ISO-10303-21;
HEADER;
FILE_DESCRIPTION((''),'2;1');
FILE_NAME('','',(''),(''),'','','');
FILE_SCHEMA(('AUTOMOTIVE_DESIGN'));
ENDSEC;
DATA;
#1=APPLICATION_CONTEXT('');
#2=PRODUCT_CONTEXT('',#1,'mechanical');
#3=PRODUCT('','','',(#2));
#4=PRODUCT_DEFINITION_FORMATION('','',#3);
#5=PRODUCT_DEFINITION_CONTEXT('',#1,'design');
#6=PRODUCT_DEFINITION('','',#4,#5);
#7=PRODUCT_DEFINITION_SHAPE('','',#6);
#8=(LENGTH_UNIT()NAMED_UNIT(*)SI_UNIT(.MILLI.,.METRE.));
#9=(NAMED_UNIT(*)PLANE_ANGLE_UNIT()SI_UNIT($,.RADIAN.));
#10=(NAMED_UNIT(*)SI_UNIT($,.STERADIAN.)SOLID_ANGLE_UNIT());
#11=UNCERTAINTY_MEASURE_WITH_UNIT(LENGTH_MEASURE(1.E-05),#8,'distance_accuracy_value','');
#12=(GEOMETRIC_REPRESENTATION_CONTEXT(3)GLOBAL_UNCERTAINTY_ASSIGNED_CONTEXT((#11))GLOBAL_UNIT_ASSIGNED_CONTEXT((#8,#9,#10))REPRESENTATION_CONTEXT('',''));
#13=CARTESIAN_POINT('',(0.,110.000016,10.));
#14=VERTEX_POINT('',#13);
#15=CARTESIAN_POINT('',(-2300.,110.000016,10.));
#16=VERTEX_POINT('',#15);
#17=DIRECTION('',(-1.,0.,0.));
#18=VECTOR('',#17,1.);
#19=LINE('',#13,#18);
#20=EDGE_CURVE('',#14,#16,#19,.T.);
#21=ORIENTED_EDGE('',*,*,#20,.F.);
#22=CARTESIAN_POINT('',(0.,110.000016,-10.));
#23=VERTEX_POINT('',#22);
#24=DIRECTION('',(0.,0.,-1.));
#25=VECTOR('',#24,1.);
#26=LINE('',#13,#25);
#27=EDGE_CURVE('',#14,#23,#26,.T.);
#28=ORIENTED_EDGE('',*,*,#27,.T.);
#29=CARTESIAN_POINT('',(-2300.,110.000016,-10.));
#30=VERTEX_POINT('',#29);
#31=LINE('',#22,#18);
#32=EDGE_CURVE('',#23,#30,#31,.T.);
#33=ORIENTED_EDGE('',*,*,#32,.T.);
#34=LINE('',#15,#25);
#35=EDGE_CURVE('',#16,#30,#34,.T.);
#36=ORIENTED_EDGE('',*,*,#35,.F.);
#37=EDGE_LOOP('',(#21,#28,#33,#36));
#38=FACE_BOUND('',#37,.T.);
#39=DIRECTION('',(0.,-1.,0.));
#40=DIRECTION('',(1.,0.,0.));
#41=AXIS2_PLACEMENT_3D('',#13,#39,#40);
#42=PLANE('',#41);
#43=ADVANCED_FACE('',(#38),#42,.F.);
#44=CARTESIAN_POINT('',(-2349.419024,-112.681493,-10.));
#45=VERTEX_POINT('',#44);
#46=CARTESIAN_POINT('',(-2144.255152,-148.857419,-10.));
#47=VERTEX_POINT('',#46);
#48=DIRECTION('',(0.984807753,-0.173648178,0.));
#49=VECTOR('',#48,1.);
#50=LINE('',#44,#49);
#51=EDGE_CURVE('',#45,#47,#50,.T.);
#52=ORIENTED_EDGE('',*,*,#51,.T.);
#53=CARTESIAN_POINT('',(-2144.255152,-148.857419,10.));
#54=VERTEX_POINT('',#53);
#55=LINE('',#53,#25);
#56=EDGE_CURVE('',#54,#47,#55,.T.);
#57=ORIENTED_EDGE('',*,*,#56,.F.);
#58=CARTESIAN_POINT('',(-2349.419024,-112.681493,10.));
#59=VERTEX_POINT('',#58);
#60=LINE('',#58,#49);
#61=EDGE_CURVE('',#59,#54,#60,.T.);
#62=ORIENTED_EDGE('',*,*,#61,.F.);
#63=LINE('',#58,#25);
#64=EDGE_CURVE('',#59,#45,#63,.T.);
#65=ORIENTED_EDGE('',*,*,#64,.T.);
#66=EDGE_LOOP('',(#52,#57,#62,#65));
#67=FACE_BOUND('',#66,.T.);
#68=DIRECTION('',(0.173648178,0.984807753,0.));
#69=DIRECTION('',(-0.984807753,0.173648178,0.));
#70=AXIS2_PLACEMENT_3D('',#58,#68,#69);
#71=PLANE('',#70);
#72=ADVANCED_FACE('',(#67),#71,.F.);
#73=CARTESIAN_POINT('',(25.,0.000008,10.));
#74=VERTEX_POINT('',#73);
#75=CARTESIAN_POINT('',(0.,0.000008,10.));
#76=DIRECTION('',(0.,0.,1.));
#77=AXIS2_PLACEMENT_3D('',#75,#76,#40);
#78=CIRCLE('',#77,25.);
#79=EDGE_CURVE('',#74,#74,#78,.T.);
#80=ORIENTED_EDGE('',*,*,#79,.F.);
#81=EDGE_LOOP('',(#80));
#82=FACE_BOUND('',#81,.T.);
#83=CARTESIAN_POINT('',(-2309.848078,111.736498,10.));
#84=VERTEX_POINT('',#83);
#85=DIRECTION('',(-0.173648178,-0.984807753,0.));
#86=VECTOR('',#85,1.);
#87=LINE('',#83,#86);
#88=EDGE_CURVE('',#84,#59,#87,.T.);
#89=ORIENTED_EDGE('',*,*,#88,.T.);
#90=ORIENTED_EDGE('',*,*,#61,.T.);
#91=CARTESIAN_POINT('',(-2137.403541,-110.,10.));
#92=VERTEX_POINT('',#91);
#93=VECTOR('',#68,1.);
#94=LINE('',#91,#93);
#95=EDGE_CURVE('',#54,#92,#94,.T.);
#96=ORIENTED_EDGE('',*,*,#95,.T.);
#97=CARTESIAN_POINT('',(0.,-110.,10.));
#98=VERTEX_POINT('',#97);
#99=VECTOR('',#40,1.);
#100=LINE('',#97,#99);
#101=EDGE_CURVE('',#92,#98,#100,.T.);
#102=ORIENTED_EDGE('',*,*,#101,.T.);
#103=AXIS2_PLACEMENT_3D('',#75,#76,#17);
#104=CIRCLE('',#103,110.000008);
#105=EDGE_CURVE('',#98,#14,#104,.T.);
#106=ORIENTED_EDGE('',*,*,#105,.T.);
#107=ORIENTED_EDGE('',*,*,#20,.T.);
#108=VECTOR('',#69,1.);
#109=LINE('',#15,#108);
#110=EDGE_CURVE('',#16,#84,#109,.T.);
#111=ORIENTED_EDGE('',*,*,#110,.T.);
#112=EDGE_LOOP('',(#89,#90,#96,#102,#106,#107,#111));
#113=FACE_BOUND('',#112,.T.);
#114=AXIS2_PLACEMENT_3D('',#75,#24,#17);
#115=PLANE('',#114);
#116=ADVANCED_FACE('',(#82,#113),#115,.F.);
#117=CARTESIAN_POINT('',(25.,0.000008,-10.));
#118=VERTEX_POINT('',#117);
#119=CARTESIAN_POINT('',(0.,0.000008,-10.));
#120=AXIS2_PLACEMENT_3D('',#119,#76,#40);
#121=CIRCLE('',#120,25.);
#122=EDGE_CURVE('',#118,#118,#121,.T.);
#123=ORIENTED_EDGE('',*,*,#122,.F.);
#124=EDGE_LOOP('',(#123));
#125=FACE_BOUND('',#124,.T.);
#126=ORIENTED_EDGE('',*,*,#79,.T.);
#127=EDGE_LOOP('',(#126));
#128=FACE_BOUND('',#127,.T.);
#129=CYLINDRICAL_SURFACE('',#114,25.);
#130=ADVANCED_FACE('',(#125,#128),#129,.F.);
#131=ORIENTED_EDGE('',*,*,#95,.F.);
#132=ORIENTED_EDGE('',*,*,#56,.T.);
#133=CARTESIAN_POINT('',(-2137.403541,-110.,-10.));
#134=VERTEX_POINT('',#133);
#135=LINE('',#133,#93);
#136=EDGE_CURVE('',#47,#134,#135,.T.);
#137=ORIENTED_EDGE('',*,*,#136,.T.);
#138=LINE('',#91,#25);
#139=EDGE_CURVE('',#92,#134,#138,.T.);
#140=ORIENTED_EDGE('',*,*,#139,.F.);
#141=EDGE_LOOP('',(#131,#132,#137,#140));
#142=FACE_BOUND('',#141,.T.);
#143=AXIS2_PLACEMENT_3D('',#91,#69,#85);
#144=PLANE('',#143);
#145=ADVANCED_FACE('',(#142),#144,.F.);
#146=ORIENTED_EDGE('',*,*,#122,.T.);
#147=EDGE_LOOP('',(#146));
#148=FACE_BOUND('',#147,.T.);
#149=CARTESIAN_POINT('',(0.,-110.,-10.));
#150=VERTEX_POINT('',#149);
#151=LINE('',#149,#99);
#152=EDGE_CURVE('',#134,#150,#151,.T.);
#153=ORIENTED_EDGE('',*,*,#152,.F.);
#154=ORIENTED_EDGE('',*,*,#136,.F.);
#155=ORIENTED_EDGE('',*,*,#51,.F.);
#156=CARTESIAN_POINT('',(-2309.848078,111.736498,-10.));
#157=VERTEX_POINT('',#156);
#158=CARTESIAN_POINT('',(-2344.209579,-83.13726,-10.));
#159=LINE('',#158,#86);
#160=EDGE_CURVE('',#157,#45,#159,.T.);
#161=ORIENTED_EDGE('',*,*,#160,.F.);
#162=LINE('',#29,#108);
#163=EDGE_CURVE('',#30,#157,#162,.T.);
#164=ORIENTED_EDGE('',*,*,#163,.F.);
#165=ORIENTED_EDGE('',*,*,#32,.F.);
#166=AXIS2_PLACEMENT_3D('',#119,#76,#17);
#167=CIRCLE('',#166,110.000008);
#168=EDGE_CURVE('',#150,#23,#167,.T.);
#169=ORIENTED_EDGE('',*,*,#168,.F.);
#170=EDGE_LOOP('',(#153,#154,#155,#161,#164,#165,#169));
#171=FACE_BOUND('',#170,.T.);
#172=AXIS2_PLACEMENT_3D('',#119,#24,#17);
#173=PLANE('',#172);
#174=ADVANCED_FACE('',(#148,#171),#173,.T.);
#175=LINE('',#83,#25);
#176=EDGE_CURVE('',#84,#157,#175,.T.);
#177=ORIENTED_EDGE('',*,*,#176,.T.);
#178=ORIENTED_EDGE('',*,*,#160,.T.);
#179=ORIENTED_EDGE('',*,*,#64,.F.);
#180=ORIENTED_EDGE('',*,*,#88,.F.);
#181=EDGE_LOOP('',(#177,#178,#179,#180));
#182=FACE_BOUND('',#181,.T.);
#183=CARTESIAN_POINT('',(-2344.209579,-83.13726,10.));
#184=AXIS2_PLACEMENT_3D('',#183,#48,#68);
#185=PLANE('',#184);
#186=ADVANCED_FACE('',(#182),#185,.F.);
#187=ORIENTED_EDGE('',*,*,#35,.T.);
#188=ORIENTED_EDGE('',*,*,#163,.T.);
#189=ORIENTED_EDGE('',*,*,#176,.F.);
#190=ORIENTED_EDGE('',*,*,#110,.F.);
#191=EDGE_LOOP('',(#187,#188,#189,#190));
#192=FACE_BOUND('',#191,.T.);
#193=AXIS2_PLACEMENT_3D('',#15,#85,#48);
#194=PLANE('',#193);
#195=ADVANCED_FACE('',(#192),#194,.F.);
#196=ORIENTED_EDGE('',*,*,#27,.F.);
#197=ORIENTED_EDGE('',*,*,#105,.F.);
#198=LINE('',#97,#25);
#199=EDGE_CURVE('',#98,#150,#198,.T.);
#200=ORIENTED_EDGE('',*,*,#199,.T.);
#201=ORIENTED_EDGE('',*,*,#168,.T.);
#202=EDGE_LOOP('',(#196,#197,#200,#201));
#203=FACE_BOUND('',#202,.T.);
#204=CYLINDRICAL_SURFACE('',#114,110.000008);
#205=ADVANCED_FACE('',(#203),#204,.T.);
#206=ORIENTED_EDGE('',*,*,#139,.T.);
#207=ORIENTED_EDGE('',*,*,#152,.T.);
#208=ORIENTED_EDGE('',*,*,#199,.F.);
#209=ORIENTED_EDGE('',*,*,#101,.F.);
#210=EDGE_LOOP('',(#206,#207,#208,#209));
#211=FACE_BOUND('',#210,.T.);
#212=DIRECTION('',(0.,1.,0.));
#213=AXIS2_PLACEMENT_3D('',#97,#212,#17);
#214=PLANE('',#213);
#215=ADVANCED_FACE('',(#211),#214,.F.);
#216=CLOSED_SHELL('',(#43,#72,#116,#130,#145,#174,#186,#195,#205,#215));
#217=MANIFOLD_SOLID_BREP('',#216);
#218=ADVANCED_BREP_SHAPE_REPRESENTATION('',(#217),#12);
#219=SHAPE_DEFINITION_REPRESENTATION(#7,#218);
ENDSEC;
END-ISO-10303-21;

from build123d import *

# Parameters (mm, degrees)
SKETCH1_R           = 25
BOSS_EXTRUDE1_DEPTH = 10


with BuildPart() as part:
    # Sketch1 → Boss-Extrude1 (new body, symmetric)
    with BuildSketch(Plane.XY):
        with BuildLine():
            Line((-2300, 110.00001646), (-2309.84807753, 111.736498237))
            Line((-2309.84807753, 111.736498237), (-2344.209578927, -83.137259929))
            Line((-2344.209578927, -83.137259929), (-2349.419024257, -112.681492519))
            Line((-2349.419024257, -112.681492519), (-2144.255152103, -148.857418644))
            Line((-2144.255152103, -148.857418644), (-2137.403540795, -110))
            Line((-2137.403540795, -110), (0, -110))
            ThreePointArc((0, -110), (110.00000823, 8.23e-06), (0, 110.00001646))
            Line((0, 110.00001646), (-2300, 110.00001646))
        make_face()
        with Locations((0, 8.23e-06)):
            Circle(SKETCH1_R, mode=Mode.SUBTRACT)
    extrude(amount=BOSS_EXTRUDE1_DEPTH, both=True)


solid = part.part
